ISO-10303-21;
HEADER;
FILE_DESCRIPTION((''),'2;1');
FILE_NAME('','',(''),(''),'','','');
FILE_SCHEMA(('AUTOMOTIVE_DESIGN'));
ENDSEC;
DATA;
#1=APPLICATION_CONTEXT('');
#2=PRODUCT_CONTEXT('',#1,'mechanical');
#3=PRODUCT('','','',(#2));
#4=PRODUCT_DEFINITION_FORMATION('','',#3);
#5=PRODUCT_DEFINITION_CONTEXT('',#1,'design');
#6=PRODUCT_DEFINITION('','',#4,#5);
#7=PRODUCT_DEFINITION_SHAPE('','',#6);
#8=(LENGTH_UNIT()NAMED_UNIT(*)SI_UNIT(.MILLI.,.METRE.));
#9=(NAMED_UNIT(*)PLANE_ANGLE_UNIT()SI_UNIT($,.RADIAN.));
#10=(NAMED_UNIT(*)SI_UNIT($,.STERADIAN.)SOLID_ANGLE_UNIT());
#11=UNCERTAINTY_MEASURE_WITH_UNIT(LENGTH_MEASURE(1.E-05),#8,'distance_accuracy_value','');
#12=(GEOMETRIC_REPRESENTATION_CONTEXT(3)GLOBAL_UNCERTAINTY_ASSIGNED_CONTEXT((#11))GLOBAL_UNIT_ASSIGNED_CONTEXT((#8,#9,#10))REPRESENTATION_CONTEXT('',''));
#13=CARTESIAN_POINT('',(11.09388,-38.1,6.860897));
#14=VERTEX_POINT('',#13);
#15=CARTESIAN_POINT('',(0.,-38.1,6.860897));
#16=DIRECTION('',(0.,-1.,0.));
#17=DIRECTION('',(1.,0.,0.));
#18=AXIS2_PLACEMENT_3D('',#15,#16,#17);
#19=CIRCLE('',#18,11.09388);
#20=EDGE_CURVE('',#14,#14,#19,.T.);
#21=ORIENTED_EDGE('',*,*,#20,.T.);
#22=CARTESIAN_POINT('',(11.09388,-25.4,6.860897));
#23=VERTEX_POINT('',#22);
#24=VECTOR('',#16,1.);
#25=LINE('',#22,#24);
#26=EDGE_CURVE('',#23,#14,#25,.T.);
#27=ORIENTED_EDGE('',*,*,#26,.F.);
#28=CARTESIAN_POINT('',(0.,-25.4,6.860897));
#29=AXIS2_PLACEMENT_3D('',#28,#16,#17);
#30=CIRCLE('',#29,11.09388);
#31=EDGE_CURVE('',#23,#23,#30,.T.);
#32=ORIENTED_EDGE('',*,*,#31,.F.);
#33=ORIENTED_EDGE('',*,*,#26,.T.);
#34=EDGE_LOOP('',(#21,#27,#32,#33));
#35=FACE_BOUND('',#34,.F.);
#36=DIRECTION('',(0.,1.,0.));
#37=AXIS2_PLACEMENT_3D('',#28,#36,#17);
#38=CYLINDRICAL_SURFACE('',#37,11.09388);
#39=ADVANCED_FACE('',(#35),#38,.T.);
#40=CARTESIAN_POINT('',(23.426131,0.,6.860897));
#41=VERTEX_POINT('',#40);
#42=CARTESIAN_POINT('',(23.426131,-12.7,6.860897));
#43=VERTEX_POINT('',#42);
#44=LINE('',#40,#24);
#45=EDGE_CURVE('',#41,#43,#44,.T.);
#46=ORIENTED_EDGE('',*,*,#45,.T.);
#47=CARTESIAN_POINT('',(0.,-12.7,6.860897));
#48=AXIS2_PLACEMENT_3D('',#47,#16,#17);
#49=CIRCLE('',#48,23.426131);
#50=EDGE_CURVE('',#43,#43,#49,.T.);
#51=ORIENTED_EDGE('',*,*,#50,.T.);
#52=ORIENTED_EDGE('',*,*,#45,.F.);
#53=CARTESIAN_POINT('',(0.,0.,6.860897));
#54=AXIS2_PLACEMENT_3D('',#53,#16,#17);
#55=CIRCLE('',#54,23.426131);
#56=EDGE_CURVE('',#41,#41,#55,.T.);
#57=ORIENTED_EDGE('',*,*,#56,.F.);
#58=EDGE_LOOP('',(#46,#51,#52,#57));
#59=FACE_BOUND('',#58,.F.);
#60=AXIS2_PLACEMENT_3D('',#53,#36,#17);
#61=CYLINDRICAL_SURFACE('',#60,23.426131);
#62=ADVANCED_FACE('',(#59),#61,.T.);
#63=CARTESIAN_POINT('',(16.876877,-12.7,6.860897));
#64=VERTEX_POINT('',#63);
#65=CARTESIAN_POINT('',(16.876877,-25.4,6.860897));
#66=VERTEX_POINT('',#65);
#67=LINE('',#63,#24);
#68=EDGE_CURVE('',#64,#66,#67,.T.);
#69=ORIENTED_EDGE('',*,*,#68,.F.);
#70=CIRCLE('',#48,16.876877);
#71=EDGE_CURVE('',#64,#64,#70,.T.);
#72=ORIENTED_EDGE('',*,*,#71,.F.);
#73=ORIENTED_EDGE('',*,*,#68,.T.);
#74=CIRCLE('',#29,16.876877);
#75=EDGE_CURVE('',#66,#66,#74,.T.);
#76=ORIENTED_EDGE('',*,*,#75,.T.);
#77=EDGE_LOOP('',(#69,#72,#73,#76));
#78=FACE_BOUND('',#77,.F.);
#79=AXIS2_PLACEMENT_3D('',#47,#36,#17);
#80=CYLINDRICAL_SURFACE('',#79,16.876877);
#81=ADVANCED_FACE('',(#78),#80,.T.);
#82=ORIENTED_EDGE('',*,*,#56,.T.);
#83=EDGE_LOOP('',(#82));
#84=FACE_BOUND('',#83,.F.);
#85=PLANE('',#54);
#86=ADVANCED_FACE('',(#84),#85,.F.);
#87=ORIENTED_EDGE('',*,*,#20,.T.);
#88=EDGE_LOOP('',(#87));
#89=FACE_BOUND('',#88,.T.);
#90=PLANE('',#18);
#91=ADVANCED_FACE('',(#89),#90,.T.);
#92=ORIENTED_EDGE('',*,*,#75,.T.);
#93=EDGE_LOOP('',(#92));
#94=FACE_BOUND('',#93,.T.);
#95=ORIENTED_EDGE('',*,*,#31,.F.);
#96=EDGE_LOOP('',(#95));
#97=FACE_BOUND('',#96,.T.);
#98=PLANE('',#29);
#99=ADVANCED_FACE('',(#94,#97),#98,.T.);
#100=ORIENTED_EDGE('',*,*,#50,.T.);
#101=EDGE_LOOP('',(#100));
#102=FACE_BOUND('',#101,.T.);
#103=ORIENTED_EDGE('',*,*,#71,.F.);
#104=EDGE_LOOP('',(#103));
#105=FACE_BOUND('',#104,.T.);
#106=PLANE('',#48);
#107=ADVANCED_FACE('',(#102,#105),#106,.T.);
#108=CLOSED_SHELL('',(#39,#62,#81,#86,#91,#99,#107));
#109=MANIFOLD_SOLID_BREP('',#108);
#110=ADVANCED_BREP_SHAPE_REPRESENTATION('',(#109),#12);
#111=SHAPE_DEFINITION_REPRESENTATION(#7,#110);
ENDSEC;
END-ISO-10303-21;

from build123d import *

# Parameters (mm, degrees)
F0_R     = 23.426131
F1_DEPTH = 12.7
F2_R     = 16.876877
F3_DEPTH = 12.7
F4_R     = 11.09388
F5_DEPTH = 12.7


with BuildPart() as f1:
    # F0 (on Front) → F1 (new body)
    with BuildSketch(Plane.XZ):
        with Locations((0, 6.860897)):
            Circle(F0_R)
    extrude(amount=F1_DEPTH)

    # F2 (on face) → F3 (join)
    with BuildSketch(Plane.XZ.offset(12.7)):
        with Locations((0, 6.860897)):
            Circle(F2_R)
    extrude(amount=F3_DEPTH)

    # F4 (on face) → F5 (join)
    with BuildSketch(Plane.XZ.offset(25.4)):
        with Locations((0, 6.860897)):
            Circle(F4_R)
    extrude(amount=F5_DEPTH)


solid = f1.part
